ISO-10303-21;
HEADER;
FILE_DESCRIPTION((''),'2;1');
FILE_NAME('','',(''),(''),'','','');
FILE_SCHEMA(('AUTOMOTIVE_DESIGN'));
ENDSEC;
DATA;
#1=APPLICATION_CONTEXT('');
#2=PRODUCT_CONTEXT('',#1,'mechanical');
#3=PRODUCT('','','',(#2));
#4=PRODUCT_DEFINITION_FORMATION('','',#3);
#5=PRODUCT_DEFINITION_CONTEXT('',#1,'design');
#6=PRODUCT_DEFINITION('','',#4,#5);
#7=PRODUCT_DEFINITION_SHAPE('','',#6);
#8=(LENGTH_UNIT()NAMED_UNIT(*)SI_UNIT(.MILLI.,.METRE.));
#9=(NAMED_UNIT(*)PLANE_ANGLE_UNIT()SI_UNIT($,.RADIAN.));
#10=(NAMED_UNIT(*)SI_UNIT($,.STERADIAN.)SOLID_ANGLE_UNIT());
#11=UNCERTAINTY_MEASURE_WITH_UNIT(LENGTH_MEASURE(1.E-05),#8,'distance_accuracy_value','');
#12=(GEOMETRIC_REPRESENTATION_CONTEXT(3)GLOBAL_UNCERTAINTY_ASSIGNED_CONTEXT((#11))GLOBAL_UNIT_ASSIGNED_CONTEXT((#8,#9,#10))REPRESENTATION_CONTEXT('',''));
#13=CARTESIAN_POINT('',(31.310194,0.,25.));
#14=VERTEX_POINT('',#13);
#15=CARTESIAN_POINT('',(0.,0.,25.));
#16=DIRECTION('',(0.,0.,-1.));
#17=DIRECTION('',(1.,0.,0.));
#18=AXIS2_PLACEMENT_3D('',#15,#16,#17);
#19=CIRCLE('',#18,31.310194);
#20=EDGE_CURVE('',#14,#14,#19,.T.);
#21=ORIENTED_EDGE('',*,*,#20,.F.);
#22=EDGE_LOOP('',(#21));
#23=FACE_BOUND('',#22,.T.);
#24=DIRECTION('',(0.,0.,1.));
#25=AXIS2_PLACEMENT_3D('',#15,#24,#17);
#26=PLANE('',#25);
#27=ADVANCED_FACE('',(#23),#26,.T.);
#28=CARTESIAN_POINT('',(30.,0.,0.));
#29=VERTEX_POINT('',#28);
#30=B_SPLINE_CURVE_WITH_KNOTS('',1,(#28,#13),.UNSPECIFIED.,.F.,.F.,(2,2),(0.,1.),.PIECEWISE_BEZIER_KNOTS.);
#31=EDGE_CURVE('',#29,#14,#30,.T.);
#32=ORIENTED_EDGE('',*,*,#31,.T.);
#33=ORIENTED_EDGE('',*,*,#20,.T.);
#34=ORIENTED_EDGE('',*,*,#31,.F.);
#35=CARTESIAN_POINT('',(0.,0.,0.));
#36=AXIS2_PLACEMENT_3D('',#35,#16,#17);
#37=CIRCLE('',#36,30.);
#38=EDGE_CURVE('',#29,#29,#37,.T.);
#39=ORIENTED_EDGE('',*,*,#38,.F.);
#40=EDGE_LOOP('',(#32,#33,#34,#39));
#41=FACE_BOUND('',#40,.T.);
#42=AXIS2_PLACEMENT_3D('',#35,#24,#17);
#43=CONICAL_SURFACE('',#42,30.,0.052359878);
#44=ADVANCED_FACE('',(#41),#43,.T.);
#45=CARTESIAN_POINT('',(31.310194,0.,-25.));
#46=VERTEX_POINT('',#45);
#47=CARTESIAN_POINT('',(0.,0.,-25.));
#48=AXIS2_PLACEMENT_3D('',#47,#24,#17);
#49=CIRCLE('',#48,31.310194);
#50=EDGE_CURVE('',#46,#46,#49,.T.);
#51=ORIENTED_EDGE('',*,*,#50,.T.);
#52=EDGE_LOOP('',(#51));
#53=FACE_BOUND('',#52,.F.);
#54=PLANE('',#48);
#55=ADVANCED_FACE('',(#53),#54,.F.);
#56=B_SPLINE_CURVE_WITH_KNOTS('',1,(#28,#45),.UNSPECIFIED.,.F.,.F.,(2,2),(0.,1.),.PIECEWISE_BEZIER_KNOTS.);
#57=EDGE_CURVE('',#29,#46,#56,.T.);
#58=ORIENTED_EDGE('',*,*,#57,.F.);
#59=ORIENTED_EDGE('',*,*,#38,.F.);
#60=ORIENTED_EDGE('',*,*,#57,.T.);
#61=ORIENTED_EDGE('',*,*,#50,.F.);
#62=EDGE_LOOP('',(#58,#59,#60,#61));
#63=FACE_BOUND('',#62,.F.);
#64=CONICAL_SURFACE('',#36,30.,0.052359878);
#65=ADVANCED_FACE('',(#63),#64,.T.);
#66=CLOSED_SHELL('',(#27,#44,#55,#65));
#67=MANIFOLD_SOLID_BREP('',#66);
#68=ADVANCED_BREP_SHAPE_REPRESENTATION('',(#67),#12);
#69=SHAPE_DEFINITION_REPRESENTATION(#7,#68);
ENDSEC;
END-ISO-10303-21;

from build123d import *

# Parameters (mm, degrees)
F0_R     = 30
F1_DEPTH = 25
F1_TAPER = -3


with BuildPart() as f1:
    # F0 (on Top) → F1 (new body, symmetric)
    with BuildSketch(Plane.XY):
        Circle(F0_R)
    extrude(amount=F1_DEPTH, both=True, taper=F1_TAPER)


solid = f1.part
